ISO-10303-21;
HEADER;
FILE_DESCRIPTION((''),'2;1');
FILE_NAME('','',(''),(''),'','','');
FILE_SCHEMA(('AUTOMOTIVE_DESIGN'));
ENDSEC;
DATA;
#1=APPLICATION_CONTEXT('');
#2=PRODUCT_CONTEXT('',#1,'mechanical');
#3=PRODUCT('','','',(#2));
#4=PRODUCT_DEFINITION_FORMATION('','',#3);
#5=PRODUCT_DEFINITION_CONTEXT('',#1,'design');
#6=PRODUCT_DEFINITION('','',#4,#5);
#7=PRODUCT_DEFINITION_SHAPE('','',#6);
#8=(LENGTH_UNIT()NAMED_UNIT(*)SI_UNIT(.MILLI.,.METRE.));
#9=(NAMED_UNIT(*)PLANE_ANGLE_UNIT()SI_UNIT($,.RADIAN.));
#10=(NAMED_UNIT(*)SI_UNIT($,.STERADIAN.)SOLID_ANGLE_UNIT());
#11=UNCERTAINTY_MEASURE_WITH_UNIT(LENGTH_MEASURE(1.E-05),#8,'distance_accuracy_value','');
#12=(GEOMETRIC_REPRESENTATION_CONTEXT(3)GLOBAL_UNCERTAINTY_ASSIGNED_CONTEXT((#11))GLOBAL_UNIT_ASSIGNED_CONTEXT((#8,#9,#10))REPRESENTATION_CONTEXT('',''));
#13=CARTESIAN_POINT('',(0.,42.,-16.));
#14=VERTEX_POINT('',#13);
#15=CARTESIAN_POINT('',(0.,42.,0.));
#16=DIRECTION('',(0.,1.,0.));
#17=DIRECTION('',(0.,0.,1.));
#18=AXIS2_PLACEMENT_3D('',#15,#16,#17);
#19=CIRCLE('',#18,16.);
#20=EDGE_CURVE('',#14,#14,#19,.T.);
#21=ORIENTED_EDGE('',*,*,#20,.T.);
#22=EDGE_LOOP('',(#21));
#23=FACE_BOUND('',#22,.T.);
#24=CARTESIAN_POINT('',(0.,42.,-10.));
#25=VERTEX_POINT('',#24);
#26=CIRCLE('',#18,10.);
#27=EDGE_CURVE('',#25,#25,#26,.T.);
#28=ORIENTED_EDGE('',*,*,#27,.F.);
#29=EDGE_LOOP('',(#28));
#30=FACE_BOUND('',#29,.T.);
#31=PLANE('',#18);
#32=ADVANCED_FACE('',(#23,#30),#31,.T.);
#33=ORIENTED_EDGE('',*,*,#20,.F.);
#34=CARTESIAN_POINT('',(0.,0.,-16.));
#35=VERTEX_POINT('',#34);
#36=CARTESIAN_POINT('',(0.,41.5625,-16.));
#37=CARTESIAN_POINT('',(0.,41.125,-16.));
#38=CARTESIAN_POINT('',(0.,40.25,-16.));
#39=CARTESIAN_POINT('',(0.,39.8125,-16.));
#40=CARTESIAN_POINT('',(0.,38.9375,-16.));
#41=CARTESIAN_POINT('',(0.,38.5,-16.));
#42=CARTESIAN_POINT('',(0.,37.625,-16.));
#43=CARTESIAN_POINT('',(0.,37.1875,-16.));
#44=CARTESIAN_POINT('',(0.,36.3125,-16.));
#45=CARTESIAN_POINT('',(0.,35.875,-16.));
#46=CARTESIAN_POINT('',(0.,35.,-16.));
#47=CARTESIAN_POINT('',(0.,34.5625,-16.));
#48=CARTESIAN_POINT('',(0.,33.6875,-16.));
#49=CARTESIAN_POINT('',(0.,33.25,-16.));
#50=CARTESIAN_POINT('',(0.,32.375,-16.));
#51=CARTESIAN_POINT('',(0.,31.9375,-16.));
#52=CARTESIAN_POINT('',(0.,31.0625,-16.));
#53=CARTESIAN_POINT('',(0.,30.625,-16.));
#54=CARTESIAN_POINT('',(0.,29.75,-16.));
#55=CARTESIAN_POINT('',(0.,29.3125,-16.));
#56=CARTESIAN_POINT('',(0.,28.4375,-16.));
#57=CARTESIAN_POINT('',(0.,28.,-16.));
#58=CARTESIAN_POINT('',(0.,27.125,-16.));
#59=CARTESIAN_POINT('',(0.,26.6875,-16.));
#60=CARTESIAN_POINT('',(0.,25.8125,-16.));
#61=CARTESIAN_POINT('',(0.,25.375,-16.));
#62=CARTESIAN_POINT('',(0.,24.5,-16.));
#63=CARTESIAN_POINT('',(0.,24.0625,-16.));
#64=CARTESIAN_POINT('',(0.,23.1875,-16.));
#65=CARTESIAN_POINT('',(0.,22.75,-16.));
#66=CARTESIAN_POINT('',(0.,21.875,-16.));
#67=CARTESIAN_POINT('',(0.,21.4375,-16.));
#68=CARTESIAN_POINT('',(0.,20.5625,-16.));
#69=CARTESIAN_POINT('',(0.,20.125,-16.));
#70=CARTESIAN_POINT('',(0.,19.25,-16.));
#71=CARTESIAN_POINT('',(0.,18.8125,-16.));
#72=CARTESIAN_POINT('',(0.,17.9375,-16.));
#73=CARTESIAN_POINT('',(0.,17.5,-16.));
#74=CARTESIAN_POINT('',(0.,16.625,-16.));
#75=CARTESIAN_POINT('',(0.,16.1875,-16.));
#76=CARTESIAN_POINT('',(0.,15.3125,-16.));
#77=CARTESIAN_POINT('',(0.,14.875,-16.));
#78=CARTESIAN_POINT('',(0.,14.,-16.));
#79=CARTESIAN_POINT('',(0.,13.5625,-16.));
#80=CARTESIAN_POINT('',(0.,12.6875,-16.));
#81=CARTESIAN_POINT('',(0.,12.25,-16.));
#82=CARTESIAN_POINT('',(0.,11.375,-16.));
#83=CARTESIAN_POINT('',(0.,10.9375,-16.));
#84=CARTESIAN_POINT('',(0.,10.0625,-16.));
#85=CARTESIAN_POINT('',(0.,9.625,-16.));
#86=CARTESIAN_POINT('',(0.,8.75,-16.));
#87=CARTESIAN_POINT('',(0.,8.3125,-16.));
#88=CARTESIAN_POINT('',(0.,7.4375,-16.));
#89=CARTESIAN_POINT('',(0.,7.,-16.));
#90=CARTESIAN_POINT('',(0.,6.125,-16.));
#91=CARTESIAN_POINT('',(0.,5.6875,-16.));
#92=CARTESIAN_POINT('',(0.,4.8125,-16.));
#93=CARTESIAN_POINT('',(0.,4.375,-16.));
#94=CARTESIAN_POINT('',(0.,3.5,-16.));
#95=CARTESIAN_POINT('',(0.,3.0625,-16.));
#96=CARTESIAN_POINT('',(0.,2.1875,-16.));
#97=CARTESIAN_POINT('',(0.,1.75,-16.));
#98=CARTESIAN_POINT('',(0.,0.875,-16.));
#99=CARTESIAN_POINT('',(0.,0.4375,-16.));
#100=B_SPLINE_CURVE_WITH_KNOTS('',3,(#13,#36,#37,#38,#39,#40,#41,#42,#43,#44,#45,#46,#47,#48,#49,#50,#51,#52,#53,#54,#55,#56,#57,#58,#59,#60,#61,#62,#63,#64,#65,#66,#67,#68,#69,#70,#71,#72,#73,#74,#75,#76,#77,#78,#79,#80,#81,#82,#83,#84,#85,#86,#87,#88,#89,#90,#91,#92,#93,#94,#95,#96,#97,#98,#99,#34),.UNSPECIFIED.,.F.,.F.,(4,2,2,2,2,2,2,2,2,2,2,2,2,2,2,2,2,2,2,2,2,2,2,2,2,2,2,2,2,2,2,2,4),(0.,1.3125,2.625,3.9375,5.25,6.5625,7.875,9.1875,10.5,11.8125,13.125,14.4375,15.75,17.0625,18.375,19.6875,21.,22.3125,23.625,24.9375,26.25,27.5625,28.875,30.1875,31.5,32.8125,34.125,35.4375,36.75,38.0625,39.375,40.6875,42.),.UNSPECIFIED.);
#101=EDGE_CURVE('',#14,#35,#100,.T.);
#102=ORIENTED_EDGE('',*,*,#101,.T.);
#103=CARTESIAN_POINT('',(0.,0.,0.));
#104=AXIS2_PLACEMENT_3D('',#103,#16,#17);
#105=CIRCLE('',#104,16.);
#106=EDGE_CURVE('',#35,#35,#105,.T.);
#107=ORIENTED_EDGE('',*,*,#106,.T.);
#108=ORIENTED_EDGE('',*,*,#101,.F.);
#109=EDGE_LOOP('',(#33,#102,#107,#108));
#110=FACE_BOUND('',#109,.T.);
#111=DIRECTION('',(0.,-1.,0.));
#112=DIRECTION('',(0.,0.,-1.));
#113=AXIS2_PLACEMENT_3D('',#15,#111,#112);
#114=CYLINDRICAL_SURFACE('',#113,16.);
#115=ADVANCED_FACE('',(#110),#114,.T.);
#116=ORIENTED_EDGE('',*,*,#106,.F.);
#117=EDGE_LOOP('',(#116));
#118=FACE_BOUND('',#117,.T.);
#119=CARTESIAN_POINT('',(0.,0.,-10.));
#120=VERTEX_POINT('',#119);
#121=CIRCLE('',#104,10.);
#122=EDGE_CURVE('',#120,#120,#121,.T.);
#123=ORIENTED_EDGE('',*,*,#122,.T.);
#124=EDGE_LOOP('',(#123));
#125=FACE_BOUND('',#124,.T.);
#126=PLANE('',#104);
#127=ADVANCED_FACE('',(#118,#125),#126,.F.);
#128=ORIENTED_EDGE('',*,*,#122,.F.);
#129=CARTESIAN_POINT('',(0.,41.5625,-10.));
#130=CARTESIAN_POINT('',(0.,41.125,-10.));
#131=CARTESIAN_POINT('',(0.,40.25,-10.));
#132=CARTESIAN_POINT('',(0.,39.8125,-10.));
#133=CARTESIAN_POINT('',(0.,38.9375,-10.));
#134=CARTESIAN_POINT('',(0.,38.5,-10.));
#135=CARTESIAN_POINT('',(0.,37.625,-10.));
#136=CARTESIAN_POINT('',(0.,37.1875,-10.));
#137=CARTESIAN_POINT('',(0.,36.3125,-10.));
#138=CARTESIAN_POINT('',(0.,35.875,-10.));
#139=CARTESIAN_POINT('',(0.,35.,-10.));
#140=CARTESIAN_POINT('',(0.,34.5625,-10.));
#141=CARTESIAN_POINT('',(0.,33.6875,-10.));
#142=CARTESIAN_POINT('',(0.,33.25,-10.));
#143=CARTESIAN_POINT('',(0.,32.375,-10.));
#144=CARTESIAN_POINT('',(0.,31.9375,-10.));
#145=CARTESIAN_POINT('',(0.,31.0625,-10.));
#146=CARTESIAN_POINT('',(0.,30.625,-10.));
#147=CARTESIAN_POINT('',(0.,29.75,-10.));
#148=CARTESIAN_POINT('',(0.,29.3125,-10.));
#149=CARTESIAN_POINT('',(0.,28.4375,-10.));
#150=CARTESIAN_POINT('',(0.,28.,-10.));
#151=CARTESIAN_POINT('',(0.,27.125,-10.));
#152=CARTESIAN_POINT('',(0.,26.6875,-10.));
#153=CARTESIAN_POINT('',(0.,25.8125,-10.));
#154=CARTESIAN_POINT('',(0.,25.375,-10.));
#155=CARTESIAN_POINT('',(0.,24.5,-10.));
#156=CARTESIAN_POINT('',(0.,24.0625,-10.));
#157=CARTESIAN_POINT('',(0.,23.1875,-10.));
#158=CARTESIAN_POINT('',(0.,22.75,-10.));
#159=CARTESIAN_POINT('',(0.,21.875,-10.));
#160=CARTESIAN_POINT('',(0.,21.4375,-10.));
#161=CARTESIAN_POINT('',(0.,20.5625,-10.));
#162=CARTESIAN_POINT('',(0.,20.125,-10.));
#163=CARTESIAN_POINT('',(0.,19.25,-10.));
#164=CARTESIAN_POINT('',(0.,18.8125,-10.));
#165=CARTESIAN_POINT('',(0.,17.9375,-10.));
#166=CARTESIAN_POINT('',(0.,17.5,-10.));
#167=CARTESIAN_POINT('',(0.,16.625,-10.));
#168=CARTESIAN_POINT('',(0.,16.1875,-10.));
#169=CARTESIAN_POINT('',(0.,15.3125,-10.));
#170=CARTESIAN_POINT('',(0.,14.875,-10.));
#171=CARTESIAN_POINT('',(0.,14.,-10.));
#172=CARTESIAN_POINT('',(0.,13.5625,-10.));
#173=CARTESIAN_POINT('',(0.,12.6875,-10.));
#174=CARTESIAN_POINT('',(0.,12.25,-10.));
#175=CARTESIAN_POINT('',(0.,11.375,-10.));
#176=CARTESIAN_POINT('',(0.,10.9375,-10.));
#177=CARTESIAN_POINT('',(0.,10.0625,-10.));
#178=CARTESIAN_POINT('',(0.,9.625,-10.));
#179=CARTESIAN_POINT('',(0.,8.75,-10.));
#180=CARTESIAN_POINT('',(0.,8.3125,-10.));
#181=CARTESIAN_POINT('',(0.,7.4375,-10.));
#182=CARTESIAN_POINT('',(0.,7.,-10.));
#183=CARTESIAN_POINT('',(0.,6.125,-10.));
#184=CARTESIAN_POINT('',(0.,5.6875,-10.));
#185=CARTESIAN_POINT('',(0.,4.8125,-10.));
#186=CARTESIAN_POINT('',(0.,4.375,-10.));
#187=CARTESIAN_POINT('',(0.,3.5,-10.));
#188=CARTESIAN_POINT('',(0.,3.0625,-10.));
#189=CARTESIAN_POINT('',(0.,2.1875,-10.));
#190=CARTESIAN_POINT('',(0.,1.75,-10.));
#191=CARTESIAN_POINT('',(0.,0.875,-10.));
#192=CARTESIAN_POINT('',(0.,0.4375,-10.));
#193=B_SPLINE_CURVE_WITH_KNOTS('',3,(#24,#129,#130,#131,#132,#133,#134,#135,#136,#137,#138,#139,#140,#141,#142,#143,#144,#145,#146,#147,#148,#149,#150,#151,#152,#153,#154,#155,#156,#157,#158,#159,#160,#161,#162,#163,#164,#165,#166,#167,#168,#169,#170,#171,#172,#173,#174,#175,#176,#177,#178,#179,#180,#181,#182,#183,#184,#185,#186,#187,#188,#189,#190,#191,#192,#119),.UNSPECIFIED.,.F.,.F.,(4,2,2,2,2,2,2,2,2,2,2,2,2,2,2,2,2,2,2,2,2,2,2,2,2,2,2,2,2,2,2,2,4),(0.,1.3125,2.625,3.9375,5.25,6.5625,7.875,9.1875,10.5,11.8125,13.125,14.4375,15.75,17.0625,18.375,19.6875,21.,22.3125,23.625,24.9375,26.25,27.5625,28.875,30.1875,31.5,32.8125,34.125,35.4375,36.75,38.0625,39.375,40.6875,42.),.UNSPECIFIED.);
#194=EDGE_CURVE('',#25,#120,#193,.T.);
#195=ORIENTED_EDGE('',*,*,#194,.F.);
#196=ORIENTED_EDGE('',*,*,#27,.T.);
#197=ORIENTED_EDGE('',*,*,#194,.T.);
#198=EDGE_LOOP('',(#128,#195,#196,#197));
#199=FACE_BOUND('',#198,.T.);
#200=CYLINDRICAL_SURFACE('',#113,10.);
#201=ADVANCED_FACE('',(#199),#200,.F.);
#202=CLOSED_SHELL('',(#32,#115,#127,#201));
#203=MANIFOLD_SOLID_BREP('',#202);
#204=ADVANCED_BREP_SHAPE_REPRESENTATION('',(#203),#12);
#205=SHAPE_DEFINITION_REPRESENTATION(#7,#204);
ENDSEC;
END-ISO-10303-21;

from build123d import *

# Parameters (mm, degrees)
SKETCH_1_R      = 16
SKETCH_1_R_2    = 10
EXTRUDE_1_DEPTH = 42


with BuildPart() as part:
    # 草图1 → 拉伸1 (new body)
    with BuildSketch(Plane(origin=(0, 0, 0), x_dir=(1, 0, 0), z_dir=(0, 1, 0))):
        with Locations(Location((0, 0, 0), (0, 0, 90))):
            Circle(SKETCH_1_R)
        with Locations(Location((0, 0, 0), (0, 0, 90))):
            Circle(SKETCH_1_R_2, mode=Mode.SUBTRACT)
    extrude(amount=EXTRUDE_1_DEPTH)


solid = part.part
